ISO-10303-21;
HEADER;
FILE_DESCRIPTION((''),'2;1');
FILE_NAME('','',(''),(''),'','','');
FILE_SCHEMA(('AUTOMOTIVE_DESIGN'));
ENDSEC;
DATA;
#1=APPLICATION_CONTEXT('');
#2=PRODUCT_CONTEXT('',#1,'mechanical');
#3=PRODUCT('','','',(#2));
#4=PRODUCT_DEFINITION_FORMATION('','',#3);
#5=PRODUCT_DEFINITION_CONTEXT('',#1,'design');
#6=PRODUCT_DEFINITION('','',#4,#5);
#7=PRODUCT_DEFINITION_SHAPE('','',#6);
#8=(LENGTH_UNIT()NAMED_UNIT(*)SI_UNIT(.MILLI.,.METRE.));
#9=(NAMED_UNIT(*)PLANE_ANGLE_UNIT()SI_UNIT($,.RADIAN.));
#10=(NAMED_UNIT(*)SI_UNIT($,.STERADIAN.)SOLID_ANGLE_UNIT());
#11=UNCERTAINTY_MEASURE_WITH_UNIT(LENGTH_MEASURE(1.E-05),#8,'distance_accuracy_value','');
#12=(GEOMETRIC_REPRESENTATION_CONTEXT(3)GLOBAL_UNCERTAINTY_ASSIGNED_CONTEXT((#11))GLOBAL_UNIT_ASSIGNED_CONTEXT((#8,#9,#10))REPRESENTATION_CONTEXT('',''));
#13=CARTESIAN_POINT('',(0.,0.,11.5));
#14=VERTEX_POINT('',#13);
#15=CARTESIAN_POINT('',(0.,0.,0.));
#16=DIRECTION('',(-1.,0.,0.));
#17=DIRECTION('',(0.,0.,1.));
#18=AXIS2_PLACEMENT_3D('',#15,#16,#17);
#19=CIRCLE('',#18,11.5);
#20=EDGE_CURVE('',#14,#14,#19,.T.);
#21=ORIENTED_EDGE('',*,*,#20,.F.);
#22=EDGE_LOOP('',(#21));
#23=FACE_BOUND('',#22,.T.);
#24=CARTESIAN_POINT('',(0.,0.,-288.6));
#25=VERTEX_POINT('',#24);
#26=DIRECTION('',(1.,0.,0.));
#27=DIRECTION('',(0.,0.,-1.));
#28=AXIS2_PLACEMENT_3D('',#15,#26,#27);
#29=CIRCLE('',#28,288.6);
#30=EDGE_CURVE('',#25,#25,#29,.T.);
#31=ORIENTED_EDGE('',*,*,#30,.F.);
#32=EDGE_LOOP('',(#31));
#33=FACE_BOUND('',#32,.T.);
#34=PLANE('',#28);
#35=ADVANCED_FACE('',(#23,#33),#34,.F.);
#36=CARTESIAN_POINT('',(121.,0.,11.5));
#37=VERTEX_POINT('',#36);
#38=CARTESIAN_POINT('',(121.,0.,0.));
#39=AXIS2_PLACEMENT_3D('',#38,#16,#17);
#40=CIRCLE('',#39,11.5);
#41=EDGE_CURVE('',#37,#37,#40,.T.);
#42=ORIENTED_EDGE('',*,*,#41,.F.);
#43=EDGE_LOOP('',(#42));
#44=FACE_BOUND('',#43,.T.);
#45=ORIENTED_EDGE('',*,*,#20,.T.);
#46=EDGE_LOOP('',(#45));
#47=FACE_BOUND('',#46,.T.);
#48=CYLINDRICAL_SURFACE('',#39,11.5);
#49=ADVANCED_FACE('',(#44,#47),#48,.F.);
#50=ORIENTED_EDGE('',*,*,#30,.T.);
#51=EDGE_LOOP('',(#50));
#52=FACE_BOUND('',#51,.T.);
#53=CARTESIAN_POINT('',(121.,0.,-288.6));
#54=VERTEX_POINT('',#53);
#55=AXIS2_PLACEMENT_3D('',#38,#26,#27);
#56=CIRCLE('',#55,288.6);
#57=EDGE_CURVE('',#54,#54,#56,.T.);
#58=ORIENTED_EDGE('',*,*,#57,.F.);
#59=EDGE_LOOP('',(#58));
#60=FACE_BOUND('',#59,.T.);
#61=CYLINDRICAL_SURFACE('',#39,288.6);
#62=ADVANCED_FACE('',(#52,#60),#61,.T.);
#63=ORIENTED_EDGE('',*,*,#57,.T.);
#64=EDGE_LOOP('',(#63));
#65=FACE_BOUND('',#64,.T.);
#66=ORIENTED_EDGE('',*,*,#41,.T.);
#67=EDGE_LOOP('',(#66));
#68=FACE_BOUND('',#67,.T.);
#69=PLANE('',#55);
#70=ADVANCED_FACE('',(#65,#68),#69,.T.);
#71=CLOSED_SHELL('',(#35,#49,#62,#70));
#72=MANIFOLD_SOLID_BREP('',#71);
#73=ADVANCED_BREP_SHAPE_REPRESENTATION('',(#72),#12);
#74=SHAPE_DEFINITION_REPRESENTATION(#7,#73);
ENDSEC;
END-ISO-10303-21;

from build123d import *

# Parameters (mm, degrees)
CROQUIS1_R              = 288.6
SALIENTE_EXTRUIR1_DEPTH = 121
CROQUIS2_R              = 11.5
CORTAR_EXTRUIR1_DEPTH   = 426.70050505


with BuildPart() as part:
    # Croquis1 → Saliente-Extruir1 (new body)
    with BuildSketch(Plane(origin=(0, 0, 0), x_dir=(0, 0, -1), z_dir=(1, 0, 0))):
        Circle(CROQUIS1_R)
    extrude(amount=SALIENTE_EXTRUIR1_DEPTH)

    # Croquis2 → Cortar-Extruir1 (cut, through all)
    with BuildSketch(Plane.ZY):
        Circle(CROQUIS2_R)
    extrude(amount=-CORTAR_EXTRUIR1_DEPTH, mode=Mode.SUBTRACT)


solid = part.part
